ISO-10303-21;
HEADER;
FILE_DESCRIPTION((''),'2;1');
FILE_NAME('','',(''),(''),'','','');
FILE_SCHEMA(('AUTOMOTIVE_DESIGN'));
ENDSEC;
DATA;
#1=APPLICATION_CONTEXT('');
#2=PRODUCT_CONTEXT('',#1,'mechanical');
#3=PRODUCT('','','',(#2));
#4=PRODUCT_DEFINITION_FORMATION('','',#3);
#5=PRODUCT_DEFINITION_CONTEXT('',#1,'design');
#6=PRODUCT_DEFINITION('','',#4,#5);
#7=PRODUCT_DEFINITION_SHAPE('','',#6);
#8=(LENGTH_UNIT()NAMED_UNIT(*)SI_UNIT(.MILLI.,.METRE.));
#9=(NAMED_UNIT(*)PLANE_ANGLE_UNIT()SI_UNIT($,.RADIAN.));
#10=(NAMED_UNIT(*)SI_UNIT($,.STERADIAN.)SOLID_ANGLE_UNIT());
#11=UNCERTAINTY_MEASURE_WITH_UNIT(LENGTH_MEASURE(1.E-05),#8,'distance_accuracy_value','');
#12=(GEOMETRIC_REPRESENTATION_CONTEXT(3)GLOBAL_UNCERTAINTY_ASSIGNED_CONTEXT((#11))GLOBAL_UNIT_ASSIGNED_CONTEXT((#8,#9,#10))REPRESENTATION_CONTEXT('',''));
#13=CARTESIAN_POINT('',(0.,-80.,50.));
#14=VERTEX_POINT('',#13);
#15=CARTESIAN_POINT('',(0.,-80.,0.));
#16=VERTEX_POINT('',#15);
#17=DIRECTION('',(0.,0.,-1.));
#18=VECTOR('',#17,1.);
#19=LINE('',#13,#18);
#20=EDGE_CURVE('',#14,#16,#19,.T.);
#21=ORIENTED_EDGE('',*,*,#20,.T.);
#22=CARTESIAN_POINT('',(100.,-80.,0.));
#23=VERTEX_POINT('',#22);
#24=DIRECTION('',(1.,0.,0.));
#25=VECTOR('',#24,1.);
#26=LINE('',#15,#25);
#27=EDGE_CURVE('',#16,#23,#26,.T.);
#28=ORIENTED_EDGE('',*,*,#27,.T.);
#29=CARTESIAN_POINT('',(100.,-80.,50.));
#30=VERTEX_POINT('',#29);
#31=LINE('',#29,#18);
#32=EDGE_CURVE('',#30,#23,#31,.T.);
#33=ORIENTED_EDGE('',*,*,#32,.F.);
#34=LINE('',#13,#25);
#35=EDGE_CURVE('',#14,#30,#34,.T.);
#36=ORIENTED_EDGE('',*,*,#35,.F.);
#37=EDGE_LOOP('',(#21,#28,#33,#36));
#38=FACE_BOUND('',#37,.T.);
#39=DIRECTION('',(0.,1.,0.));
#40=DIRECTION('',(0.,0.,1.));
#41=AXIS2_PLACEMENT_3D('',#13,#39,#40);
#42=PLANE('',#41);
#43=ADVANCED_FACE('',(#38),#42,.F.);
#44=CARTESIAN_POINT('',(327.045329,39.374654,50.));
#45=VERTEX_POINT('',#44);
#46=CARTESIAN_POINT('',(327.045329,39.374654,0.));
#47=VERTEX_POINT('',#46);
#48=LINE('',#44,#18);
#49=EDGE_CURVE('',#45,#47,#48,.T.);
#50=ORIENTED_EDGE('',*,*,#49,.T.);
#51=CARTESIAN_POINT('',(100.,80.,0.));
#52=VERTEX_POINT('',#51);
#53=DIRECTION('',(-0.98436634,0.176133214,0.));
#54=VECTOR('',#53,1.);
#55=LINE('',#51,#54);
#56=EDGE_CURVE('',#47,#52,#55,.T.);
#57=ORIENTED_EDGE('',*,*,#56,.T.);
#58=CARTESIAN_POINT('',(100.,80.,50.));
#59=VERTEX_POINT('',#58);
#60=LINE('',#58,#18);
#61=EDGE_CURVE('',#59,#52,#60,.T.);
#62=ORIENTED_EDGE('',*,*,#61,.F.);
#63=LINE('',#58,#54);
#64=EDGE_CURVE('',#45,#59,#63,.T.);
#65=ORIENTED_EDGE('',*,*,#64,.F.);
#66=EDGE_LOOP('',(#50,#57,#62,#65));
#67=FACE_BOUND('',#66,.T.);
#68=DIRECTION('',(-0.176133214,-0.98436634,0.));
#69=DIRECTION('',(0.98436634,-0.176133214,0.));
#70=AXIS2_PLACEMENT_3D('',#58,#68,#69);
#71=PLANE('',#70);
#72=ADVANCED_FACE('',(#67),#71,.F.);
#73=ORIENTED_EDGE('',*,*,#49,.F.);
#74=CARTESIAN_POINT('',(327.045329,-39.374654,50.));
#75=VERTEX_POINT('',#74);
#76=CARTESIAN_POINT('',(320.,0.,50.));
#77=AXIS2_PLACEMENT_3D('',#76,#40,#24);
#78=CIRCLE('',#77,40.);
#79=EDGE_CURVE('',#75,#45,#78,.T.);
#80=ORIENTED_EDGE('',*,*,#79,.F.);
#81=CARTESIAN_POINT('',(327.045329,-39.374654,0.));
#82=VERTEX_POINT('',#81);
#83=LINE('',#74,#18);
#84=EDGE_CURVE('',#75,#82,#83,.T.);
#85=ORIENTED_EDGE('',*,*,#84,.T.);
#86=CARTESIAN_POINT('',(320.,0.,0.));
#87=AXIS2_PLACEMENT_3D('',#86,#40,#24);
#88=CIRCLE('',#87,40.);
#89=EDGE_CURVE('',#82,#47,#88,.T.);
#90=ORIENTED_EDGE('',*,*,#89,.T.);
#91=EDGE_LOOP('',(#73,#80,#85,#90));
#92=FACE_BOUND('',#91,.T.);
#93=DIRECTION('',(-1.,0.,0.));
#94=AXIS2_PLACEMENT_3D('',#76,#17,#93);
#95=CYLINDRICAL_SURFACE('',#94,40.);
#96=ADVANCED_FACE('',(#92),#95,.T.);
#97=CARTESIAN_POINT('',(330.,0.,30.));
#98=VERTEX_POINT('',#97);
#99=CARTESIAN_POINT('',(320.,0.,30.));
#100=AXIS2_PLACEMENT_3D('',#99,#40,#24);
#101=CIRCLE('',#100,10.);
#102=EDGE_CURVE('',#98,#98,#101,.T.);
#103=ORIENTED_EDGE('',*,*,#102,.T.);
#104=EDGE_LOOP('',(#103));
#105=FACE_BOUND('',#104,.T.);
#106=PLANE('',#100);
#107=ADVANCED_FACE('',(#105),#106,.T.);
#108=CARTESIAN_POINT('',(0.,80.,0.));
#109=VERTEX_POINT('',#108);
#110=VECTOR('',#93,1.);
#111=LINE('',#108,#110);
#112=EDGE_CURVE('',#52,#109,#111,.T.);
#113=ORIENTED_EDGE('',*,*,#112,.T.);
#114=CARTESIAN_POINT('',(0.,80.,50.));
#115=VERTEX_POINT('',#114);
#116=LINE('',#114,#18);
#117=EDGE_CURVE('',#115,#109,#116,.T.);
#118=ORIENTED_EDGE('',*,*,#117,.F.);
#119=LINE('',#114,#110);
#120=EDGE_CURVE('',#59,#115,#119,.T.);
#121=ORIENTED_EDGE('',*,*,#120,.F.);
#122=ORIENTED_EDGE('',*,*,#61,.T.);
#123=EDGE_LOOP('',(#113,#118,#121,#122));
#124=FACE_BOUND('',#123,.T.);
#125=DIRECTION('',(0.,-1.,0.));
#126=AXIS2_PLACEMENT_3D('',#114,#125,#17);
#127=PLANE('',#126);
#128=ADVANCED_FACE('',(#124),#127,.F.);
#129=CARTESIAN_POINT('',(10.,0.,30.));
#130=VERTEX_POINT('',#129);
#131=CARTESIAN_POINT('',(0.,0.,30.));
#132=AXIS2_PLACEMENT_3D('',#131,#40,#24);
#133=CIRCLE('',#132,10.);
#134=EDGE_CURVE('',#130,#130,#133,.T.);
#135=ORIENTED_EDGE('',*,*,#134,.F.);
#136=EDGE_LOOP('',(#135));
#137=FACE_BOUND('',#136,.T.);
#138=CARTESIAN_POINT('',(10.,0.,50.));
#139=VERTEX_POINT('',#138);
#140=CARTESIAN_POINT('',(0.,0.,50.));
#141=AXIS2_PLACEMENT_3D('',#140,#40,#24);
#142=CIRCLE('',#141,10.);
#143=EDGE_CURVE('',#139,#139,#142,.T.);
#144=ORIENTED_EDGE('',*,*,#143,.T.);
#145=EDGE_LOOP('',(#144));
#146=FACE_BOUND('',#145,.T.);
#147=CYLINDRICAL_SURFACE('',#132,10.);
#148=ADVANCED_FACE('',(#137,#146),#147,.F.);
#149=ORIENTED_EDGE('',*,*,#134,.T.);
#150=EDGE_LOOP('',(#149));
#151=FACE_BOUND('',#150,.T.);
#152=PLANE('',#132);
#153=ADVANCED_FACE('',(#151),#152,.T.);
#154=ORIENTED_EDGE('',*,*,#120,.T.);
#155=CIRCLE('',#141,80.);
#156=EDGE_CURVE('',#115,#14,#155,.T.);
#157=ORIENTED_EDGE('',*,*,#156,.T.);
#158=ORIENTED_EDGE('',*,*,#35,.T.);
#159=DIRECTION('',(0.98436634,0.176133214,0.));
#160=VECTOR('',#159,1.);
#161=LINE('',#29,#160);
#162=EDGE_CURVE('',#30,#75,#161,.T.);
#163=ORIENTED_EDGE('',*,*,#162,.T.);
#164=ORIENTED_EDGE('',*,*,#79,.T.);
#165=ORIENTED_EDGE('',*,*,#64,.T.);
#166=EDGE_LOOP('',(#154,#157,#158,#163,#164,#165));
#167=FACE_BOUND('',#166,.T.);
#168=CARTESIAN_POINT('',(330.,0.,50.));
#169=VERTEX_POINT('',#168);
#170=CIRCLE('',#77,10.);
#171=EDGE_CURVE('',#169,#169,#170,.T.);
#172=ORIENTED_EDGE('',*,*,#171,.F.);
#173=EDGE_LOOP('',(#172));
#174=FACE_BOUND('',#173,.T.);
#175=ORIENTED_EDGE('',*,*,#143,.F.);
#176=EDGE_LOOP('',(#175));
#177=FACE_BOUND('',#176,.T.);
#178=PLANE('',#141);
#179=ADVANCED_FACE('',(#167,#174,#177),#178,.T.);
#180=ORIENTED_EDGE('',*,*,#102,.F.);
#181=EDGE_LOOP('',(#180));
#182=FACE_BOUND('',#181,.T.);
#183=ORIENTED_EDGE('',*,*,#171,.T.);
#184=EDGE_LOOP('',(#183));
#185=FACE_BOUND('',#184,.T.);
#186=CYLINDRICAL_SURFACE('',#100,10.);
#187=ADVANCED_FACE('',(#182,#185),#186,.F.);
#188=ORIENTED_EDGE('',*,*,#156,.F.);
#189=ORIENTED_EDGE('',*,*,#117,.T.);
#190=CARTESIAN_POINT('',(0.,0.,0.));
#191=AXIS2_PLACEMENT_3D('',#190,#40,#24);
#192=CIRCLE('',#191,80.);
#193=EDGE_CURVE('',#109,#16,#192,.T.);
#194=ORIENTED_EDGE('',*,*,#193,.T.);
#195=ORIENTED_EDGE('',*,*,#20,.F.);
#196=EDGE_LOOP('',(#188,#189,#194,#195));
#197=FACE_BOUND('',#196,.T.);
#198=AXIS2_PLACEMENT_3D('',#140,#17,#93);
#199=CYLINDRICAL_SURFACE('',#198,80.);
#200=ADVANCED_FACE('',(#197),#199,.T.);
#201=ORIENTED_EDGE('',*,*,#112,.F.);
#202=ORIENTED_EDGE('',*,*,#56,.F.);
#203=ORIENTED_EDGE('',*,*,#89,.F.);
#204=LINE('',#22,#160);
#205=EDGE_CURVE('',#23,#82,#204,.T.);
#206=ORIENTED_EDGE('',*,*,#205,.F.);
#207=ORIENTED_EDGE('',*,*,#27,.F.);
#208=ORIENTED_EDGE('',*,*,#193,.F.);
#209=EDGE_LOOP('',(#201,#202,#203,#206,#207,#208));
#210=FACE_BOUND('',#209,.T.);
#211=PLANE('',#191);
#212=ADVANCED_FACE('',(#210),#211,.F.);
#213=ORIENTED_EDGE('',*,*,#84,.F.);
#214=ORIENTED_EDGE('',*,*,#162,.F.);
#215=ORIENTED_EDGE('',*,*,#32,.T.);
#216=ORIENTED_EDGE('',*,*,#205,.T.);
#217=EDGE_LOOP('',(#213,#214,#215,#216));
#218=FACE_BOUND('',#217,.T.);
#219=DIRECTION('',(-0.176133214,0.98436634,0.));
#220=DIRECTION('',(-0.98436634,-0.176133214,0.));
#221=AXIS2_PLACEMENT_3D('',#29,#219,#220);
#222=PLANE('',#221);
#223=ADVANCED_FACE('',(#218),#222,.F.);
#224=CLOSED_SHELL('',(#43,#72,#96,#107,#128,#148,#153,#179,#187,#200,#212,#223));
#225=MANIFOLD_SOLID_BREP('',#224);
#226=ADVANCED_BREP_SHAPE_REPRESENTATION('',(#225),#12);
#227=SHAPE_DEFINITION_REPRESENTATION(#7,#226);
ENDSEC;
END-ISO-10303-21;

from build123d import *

# Parameters (mm, degrees)
BOSS_EXTRUDE1_DEPTH = 50
SKETCH2_R           = 10
CUT_EXTRUDE1_DEPTH  = 20


with BuildPart() as part:
    # Sketch1 → Boss-Extrude1 (new body)
    with BuildSketch(Plane.XY):
        with BuildLine():
            Line((0, 80), (100, 80))
            Line((100, 80), (327.045328578, 39.374653589))
            ThreePointArc((327.045328578, 39.374653589), (360, 0), (327.045328578, -39.374653589))
            Line((327.045328578, -39.374653589), (100, -80))
            Line((100, -80), (0, -80))
            ThreePointArc((0, -80), (-80, 0), (0, 80))
        make_face()
    extrude(amount=BOSS_EXTRUDE1_DEPTH)

    # Sketch2 → Cut-Extrude1 (cut)
    with BuildSketch(Plane.XY.offset(50)):
        Circle(SKETCH2_R)
        with Locations((320, 0)):
            Circle(SKETCH2_R)
    extrude(amount=-CUT_EXTRUDE1_DEPTH, mode=Mode.SUBTRACT)


solid = part.part
